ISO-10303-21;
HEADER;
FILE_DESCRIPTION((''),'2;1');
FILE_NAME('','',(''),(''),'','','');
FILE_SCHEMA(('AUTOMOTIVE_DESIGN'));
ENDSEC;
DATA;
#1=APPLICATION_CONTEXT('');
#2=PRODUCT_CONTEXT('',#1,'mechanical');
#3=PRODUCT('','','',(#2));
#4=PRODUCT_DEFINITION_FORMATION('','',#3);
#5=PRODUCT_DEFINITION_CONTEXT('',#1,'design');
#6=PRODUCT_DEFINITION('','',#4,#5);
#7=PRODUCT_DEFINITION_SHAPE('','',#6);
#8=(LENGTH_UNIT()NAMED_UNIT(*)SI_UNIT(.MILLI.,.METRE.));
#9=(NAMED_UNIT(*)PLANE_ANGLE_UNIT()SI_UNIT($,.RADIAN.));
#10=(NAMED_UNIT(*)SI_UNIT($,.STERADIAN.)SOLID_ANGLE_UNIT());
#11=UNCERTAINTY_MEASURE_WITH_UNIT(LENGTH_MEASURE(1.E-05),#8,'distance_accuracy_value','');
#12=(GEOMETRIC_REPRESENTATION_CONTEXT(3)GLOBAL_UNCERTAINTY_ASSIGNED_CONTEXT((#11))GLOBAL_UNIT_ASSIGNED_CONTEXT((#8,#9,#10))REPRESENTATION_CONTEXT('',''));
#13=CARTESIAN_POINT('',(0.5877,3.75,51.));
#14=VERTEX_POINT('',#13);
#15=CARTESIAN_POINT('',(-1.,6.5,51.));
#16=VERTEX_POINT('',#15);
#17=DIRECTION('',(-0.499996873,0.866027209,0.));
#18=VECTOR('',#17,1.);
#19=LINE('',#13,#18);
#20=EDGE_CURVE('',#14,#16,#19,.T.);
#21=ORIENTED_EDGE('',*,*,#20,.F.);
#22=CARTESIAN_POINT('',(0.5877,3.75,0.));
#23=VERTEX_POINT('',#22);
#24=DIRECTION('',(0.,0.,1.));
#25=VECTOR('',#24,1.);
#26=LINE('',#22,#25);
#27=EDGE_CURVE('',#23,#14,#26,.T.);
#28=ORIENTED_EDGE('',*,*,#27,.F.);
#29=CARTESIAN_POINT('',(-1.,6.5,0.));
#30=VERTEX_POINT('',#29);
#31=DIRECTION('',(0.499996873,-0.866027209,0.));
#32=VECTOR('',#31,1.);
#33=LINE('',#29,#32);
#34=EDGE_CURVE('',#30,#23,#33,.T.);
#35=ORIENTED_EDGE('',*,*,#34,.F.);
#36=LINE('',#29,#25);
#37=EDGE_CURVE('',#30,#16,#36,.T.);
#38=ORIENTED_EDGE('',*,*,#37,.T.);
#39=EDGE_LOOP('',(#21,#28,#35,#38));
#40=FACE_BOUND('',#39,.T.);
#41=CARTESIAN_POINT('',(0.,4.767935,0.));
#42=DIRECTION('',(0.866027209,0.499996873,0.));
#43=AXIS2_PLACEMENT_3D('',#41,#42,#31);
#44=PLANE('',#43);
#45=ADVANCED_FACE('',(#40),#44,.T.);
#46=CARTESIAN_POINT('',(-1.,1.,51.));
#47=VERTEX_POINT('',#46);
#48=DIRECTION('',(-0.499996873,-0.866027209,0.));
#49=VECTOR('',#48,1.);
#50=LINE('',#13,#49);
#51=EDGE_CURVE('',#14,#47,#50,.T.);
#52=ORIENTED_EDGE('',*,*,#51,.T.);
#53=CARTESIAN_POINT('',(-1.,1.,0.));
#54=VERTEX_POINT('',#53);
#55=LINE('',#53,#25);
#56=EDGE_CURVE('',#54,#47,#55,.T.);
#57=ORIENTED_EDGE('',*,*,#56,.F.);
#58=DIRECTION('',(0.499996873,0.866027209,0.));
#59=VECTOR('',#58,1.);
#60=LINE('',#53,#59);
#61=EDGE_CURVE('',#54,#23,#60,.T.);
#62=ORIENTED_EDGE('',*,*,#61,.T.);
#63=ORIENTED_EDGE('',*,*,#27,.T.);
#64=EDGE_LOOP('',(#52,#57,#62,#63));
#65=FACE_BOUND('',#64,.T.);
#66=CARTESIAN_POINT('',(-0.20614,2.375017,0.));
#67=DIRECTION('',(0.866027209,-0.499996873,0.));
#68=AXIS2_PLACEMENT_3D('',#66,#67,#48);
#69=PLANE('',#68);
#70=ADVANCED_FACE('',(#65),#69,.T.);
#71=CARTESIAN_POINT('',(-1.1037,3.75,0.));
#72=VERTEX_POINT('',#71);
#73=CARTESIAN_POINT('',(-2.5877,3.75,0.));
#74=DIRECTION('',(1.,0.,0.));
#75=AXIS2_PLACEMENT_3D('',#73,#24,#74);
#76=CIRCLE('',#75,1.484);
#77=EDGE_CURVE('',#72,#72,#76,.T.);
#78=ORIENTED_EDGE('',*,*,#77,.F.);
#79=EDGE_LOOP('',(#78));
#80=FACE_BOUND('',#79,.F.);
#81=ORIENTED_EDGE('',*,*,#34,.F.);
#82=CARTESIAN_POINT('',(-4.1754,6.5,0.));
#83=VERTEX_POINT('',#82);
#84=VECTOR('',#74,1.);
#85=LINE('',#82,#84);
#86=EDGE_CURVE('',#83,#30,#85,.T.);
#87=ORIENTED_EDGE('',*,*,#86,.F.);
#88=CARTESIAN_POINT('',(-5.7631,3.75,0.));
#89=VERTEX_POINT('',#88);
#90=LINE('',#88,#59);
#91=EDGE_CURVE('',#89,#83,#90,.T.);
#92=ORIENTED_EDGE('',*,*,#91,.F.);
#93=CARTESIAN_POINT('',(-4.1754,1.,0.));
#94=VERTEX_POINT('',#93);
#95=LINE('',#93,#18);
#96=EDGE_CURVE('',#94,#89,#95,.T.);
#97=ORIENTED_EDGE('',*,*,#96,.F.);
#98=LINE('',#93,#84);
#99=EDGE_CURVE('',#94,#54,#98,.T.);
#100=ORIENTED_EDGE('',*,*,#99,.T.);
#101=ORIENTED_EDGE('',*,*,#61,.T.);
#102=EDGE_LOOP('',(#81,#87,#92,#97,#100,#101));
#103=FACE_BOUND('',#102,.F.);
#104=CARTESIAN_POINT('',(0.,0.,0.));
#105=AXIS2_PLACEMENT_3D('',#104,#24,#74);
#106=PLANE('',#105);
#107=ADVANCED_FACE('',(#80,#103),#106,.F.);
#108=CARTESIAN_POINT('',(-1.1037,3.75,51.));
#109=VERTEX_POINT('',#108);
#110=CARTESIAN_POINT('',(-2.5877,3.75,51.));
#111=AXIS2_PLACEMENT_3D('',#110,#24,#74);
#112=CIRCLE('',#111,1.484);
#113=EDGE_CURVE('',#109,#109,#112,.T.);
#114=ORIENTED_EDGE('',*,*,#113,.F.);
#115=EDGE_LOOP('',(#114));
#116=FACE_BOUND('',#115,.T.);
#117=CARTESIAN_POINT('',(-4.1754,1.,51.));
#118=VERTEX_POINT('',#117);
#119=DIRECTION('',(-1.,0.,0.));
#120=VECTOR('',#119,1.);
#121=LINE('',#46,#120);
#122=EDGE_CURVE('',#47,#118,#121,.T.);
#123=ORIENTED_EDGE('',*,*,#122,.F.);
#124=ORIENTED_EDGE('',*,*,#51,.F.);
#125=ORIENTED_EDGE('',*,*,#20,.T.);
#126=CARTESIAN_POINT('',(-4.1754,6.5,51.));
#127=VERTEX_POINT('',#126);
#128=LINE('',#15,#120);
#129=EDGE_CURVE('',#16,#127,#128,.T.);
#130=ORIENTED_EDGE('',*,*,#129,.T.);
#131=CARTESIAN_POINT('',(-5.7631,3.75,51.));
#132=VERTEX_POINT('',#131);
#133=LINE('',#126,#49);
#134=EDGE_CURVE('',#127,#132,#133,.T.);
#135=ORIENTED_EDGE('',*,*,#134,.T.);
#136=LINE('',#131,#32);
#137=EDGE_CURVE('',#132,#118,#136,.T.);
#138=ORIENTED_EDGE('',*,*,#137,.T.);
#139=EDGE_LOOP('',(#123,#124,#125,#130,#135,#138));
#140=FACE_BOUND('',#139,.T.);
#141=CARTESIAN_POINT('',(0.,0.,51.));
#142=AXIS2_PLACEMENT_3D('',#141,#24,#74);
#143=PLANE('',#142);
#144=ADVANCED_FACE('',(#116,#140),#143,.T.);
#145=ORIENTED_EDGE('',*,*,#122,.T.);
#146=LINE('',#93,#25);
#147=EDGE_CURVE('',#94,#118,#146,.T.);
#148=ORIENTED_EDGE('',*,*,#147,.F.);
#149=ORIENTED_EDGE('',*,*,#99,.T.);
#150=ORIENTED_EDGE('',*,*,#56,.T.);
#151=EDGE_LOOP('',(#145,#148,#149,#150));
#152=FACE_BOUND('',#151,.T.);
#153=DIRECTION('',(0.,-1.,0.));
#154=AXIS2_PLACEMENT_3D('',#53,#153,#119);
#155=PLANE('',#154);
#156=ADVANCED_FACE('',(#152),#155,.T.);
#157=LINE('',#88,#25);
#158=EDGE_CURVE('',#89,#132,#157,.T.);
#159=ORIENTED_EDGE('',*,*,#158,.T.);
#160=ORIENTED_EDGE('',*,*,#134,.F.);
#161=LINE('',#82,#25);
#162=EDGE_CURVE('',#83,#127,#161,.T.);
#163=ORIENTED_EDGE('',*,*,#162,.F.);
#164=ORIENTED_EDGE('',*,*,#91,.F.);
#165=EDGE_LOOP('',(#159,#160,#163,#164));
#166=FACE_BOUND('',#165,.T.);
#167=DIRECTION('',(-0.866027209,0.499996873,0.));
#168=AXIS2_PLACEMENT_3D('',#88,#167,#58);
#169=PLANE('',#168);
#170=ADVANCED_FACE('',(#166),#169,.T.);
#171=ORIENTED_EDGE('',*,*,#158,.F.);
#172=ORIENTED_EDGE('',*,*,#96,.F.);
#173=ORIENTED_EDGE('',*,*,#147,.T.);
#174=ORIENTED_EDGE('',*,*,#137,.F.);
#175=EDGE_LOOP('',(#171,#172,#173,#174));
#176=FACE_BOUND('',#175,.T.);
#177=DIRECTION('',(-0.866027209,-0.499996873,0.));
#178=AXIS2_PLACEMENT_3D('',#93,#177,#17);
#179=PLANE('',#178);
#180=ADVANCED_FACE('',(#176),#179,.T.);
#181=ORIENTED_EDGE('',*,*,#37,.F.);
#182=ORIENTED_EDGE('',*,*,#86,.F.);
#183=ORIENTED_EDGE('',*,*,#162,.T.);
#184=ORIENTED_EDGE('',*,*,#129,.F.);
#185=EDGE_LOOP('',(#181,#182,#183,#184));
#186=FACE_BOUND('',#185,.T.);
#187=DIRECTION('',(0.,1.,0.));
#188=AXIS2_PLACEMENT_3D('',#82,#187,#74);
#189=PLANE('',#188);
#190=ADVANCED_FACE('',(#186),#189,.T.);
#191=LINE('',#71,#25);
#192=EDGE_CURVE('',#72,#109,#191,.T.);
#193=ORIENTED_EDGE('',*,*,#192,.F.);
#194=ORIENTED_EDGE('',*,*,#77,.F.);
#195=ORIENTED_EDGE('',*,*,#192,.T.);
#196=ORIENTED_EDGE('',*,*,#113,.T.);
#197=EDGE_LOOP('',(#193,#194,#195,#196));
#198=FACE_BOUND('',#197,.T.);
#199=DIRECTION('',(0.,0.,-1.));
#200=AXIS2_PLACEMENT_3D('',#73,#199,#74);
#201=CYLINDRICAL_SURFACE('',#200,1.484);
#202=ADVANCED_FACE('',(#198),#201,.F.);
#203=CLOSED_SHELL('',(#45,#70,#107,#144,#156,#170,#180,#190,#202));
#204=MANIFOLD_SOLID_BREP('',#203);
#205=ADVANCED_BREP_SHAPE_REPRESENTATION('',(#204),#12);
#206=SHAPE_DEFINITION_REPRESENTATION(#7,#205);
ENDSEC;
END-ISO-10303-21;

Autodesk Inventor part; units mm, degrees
ref_plane "YZ Plane" through (0, 0, 0) normal (1, 0, 0) x (0, 1, 0)
ref_plane "XZ Plane" through (0, 0, 0) normal (0, 1, 0) x (-1, 0, 0)
ref_plane "XY Plane" through (0, 0, 0) normal (0, 0, 1) x (1, 0, 0)
sketch "Sketch1" plane through (0, 0, 0) normal (0, 0, 1) x (1, 0, 0)
  line L0 (-1, 1) -> (-4.1754, 1)
  line L1 (-4.1754, 1) -> (-5.7631, 3.75)
  line L2 (-5.7631, 3.75) -> (-4.1754, 6.5)
  line L3 (-4.1754, 6.5) -> (-1, 6.5)
  line L4 (-1, 6.5) -> (0.5877, 3.75)
  line L5 (0.5877, 3.75) -> (-1, 1)
  circle A0 centre (-2.5877, 3.75) radius 2.75
  line L6 (0, -0.1) -> (0, 7.6) projected
  line L7 (-7.0333, 0) -> (1.8579, 0) projected
  circle A1 centre (-2.5877, 3.75) radius 1.484
  dimension "d1" = 5.5
  dimension "d2" = 1
  dimension "d3" = 1
  dimension "d7" = 2.968
extrude "Extrusion1" add sketch "Sketch1" along normal blind 51
thread "Thread3" size "M3x0.5" class "6H" standard "ANSI Metric M Profile" full length
properties part number "Standoff"
